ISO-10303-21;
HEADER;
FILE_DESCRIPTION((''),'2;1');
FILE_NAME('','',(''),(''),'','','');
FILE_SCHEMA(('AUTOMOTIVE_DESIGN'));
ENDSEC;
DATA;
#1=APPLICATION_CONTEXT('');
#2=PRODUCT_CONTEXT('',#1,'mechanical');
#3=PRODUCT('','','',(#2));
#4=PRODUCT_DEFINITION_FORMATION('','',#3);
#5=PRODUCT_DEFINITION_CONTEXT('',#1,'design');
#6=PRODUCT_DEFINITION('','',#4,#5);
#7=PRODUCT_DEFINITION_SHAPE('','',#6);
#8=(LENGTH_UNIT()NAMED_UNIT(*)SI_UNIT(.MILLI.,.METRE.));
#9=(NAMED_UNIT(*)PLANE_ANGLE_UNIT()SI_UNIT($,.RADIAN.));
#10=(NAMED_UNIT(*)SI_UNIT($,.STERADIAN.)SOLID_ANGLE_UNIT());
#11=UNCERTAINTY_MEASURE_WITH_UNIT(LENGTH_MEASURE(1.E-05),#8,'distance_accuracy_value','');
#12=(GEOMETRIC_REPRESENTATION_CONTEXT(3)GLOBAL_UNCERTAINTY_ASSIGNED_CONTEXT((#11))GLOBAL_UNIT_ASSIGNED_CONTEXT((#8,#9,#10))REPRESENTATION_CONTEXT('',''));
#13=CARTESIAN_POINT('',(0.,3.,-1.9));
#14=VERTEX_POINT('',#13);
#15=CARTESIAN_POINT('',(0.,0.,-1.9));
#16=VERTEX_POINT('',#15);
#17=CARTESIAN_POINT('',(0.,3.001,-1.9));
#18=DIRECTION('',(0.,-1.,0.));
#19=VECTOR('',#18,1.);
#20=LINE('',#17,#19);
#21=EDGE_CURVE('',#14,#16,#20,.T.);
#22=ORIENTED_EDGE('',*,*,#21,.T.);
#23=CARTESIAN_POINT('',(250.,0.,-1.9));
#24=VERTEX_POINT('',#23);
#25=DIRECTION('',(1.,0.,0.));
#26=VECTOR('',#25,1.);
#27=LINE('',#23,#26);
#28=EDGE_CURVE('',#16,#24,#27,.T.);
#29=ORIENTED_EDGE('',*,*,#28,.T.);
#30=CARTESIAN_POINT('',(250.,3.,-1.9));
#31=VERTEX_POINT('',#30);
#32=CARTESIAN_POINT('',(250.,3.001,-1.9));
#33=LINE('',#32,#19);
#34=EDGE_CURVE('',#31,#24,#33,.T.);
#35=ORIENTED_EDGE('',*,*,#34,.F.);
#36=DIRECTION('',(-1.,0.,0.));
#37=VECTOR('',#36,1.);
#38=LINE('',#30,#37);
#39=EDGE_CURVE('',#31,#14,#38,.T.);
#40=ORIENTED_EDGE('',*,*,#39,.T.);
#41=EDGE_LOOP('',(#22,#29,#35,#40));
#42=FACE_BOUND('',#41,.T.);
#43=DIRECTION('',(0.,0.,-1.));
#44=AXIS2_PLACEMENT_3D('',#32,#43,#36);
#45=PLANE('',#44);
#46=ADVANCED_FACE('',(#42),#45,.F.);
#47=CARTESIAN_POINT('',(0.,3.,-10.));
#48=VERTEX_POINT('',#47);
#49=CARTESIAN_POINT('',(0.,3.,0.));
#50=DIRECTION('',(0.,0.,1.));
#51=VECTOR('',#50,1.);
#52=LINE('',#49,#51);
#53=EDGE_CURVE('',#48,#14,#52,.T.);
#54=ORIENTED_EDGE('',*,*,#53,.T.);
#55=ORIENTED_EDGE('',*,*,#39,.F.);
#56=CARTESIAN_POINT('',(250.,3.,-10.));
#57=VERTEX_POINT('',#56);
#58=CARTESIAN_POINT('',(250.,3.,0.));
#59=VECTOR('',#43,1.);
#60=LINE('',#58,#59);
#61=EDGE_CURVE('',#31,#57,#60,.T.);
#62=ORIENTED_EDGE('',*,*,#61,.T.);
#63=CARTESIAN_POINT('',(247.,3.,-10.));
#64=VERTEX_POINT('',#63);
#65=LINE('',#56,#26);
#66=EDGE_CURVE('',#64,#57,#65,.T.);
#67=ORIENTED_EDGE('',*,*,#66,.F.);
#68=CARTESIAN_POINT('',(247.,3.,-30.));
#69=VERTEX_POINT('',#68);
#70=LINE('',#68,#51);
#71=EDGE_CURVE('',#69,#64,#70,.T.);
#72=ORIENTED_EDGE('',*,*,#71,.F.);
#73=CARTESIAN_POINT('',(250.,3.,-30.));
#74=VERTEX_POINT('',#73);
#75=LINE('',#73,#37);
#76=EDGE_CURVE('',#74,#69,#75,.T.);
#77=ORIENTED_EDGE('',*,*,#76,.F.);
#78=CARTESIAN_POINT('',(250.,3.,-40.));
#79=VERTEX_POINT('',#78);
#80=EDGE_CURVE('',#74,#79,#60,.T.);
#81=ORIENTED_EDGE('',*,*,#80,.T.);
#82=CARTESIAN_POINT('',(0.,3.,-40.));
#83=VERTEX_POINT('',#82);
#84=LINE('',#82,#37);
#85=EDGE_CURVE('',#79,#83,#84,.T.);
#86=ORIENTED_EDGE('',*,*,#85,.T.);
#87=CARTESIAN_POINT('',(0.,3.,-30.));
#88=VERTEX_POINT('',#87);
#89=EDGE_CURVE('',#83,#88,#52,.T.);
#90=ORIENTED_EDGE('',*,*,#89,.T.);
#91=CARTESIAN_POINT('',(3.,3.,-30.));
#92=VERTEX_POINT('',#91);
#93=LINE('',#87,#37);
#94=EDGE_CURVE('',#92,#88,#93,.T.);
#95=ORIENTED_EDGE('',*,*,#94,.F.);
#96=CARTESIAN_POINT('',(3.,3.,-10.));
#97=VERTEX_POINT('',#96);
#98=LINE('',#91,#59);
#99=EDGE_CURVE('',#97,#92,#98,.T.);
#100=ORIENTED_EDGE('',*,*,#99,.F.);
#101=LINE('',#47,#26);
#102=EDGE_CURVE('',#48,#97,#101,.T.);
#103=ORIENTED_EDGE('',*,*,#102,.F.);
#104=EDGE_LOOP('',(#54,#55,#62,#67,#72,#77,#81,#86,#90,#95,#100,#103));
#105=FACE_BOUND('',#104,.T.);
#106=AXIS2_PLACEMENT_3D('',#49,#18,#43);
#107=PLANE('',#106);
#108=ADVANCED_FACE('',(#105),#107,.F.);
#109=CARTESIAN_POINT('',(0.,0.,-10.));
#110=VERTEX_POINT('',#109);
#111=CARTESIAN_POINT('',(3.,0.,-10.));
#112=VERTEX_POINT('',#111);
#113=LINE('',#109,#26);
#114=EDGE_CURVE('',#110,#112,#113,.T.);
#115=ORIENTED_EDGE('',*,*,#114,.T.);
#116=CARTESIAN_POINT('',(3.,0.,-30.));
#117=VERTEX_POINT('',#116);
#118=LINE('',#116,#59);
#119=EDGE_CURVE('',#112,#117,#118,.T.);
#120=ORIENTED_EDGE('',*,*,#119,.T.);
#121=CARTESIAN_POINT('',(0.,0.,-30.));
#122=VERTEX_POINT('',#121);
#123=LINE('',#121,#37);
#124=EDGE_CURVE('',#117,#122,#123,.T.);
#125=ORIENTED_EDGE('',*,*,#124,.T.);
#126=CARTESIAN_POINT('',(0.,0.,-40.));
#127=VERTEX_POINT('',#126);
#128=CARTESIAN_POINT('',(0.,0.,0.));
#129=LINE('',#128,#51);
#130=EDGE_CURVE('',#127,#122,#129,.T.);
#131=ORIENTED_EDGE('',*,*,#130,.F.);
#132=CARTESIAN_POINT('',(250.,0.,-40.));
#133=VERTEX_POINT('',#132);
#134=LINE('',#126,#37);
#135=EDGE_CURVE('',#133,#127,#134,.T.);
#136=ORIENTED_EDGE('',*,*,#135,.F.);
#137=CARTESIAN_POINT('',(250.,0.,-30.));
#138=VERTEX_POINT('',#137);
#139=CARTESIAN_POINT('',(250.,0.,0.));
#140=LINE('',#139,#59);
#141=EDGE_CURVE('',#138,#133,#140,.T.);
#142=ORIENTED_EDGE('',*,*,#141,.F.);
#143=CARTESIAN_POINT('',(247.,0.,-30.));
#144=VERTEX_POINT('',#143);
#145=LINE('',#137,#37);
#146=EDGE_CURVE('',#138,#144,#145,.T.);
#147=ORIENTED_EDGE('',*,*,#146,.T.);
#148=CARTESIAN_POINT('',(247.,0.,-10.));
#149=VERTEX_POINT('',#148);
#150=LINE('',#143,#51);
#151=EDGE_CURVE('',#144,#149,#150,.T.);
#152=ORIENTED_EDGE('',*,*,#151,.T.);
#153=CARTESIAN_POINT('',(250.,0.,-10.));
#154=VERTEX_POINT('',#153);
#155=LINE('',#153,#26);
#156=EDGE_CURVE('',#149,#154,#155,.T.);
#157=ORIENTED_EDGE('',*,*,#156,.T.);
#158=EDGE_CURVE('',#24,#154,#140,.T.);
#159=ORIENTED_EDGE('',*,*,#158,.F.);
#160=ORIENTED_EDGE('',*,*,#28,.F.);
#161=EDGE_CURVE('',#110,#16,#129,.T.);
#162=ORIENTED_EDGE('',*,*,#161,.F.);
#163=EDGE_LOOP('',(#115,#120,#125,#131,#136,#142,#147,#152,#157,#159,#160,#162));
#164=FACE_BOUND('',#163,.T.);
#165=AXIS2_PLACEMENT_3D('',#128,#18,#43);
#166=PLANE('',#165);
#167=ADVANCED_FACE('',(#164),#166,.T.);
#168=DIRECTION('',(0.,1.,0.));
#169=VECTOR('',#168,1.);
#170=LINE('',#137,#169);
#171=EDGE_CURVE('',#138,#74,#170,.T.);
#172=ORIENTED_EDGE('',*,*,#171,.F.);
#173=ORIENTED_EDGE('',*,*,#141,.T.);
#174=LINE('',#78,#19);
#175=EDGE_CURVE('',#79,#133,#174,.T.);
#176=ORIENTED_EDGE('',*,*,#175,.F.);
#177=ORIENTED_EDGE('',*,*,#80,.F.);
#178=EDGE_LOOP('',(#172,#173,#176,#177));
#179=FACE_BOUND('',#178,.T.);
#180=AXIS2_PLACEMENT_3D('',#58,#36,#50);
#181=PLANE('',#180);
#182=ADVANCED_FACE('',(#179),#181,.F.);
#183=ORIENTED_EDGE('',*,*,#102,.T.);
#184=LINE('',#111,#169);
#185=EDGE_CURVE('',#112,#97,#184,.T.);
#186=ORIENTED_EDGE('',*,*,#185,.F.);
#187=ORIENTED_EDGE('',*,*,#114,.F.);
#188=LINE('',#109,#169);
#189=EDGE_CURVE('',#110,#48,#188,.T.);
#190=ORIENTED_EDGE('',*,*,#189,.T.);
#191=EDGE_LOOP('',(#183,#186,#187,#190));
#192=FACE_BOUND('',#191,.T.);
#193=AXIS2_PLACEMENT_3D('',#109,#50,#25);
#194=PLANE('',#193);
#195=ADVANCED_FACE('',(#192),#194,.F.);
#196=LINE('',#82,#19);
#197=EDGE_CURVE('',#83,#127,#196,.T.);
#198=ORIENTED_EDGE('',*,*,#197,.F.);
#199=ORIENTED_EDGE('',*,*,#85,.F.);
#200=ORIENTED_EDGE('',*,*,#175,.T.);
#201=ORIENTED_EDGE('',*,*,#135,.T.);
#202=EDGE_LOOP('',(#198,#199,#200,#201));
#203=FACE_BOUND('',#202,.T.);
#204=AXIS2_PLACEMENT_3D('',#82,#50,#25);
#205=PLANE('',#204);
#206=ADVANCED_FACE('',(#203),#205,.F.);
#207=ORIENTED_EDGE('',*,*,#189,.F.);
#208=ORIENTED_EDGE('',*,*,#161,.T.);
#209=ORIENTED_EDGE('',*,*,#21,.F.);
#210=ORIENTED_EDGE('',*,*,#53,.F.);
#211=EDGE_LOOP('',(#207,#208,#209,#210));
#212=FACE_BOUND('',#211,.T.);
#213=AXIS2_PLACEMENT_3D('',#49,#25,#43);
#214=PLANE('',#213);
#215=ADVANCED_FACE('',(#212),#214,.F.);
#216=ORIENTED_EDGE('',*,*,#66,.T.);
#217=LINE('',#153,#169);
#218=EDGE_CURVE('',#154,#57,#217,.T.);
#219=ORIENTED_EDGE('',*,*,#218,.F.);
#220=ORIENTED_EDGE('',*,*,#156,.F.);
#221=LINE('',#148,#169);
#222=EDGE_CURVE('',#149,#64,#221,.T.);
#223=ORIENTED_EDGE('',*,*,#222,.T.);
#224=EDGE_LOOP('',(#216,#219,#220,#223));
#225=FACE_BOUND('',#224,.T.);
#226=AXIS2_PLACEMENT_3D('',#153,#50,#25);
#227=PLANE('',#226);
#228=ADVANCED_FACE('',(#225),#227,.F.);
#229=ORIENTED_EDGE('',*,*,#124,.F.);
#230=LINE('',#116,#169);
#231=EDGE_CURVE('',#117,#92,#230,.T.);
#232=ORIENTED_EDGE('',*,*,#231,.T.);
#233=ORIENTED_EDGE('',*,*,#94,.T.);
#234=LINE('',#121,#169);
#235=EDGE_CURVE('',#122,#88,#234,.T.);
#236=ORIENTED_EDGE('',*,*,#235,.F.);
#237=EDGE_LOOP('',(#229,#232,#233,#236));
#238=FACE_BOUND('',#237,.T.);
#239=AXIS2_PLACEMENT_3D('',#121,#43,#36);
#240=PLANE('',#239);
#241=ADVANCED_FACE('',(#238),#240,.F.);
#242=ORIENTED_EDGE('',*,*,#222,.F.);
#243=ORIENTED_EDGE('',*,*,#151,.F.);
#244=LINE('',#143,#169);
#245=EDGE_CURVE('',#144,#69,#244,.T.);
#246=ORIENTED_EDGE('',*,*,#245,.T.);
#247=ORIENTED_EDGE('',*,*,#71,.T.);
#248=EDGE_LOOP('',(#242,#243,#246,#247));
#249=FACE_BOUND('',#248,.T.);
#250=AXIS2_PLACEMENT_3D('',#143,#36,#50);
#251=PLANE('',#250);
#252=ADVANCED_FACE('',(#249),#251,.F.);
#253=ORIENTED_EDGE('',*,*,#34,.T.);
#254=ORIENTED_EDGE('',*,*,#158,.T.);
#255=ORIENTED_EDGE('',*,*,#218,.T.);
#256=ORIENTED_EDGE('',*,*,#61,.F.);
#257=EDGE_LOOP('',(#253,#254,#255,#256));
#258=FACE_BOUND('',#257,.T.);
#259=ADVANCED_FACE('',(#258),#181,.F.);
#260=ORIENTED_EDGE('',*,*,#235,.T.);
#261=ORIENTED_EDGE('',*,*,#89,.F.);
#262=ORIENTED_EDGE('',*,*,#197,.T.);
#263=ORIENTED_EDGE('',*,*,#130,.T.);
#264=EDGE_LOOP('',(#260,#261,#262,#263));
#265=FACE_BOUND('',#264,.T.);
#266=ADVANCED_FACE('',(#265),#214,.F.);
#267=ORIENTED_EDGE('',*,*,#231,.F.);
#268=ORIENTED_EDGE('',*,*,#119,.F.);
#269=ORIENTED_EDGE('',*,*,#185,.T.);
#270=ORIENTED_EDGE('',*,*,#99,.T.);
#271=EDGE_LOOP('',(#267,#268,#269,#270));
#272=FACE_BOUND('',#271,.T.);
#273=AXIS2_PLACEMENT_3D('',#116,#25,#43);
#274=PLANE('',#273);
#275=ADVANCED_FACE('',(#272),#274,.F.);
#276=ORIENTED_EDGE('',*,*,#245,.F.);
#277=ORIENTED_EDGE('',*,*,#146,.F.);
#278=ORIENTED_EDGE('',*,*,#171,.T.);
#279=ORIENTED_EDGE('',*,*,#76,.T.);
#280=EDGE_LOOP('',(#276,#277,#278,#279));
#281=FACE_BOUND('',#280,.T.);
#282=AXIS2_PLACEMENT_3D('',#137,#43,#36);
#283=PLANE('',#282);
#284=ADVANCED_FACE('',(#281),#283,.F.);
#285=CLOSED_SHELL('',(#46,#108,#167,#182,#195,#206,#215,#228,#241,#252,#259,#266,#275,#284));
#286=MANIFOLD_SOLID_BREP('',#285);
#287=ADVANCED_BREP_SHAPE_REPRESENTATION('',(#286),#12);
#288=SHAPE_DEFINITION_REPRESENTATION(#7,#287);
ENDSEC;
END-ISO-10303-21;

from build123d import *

# Parameters (mm, degrees)
SKETCH1_W           = 250
SKETCH1_H           = 40
BOSS_EXTRUDE1_DEPTH = 3
SKETCH2_W           = 3
SKETCH2_H           = 20
CUT_EXTRUDE1_DEPTH  = 254.197551331
CUT_EXTRUDE2_REACH  = 255.198
SKETCH4_W           = 250
SKETCH4_H           = 1.9


with BuildPart() as part:
    # Sketch1 → Boss-Extrude1 (new body)
    with BuildSketch(Plane(origin=(0, 0, 0), x_dir=(1, 0, 0), z_dir=(0, 1, 0))):
        with Locations((125, 20)):
            Rectangle(SKETCH1_W, SKETCH1_H)
    extrude(amount=BOSS_EXTRUDE1_DEPTH)

    # Sketch2 → Cut-Extrude1 (cut, through all)
    with BuildSketch(Plane(origin=(0, 3, 0), x_dir=(1, 0, 0), z_dir=(0, 1, 0))):
        with Locations((1.5, 20)):
            Rectangle(SKETCH2_W, SKETCH2_H)
        with Locations((248.5, 20)):
            Rectangle(SKETCH2_W, SKETCH2_H)
    extrude(amount=-CUT_EXTRUDE1_DEPTH, mode=Mode.SUBTRACT)

    # Sketch4 → Cut-Extrude2 (cut, up to next)
    with BuildSketch(Plane.XZ, mode=Mode.PRIVATE) as cut_extrude2_sk1:
        with Locations((125, -0.95)):
            Rectangle(SKETCH4_W, SKETCH4_H)
    cut_extrude2_tool1 = extrude(cut_extrude2_sk1.sketch, amount=-CUT_EXTRUDE2_REACH, mode=Mode.PRIVATE) & part.part
    add(cut_extrude2_tool1.solids().sort_by_distance((125, 0, -0.95))[0], mode=Mode.SUBTRACT)


solid = part.part
